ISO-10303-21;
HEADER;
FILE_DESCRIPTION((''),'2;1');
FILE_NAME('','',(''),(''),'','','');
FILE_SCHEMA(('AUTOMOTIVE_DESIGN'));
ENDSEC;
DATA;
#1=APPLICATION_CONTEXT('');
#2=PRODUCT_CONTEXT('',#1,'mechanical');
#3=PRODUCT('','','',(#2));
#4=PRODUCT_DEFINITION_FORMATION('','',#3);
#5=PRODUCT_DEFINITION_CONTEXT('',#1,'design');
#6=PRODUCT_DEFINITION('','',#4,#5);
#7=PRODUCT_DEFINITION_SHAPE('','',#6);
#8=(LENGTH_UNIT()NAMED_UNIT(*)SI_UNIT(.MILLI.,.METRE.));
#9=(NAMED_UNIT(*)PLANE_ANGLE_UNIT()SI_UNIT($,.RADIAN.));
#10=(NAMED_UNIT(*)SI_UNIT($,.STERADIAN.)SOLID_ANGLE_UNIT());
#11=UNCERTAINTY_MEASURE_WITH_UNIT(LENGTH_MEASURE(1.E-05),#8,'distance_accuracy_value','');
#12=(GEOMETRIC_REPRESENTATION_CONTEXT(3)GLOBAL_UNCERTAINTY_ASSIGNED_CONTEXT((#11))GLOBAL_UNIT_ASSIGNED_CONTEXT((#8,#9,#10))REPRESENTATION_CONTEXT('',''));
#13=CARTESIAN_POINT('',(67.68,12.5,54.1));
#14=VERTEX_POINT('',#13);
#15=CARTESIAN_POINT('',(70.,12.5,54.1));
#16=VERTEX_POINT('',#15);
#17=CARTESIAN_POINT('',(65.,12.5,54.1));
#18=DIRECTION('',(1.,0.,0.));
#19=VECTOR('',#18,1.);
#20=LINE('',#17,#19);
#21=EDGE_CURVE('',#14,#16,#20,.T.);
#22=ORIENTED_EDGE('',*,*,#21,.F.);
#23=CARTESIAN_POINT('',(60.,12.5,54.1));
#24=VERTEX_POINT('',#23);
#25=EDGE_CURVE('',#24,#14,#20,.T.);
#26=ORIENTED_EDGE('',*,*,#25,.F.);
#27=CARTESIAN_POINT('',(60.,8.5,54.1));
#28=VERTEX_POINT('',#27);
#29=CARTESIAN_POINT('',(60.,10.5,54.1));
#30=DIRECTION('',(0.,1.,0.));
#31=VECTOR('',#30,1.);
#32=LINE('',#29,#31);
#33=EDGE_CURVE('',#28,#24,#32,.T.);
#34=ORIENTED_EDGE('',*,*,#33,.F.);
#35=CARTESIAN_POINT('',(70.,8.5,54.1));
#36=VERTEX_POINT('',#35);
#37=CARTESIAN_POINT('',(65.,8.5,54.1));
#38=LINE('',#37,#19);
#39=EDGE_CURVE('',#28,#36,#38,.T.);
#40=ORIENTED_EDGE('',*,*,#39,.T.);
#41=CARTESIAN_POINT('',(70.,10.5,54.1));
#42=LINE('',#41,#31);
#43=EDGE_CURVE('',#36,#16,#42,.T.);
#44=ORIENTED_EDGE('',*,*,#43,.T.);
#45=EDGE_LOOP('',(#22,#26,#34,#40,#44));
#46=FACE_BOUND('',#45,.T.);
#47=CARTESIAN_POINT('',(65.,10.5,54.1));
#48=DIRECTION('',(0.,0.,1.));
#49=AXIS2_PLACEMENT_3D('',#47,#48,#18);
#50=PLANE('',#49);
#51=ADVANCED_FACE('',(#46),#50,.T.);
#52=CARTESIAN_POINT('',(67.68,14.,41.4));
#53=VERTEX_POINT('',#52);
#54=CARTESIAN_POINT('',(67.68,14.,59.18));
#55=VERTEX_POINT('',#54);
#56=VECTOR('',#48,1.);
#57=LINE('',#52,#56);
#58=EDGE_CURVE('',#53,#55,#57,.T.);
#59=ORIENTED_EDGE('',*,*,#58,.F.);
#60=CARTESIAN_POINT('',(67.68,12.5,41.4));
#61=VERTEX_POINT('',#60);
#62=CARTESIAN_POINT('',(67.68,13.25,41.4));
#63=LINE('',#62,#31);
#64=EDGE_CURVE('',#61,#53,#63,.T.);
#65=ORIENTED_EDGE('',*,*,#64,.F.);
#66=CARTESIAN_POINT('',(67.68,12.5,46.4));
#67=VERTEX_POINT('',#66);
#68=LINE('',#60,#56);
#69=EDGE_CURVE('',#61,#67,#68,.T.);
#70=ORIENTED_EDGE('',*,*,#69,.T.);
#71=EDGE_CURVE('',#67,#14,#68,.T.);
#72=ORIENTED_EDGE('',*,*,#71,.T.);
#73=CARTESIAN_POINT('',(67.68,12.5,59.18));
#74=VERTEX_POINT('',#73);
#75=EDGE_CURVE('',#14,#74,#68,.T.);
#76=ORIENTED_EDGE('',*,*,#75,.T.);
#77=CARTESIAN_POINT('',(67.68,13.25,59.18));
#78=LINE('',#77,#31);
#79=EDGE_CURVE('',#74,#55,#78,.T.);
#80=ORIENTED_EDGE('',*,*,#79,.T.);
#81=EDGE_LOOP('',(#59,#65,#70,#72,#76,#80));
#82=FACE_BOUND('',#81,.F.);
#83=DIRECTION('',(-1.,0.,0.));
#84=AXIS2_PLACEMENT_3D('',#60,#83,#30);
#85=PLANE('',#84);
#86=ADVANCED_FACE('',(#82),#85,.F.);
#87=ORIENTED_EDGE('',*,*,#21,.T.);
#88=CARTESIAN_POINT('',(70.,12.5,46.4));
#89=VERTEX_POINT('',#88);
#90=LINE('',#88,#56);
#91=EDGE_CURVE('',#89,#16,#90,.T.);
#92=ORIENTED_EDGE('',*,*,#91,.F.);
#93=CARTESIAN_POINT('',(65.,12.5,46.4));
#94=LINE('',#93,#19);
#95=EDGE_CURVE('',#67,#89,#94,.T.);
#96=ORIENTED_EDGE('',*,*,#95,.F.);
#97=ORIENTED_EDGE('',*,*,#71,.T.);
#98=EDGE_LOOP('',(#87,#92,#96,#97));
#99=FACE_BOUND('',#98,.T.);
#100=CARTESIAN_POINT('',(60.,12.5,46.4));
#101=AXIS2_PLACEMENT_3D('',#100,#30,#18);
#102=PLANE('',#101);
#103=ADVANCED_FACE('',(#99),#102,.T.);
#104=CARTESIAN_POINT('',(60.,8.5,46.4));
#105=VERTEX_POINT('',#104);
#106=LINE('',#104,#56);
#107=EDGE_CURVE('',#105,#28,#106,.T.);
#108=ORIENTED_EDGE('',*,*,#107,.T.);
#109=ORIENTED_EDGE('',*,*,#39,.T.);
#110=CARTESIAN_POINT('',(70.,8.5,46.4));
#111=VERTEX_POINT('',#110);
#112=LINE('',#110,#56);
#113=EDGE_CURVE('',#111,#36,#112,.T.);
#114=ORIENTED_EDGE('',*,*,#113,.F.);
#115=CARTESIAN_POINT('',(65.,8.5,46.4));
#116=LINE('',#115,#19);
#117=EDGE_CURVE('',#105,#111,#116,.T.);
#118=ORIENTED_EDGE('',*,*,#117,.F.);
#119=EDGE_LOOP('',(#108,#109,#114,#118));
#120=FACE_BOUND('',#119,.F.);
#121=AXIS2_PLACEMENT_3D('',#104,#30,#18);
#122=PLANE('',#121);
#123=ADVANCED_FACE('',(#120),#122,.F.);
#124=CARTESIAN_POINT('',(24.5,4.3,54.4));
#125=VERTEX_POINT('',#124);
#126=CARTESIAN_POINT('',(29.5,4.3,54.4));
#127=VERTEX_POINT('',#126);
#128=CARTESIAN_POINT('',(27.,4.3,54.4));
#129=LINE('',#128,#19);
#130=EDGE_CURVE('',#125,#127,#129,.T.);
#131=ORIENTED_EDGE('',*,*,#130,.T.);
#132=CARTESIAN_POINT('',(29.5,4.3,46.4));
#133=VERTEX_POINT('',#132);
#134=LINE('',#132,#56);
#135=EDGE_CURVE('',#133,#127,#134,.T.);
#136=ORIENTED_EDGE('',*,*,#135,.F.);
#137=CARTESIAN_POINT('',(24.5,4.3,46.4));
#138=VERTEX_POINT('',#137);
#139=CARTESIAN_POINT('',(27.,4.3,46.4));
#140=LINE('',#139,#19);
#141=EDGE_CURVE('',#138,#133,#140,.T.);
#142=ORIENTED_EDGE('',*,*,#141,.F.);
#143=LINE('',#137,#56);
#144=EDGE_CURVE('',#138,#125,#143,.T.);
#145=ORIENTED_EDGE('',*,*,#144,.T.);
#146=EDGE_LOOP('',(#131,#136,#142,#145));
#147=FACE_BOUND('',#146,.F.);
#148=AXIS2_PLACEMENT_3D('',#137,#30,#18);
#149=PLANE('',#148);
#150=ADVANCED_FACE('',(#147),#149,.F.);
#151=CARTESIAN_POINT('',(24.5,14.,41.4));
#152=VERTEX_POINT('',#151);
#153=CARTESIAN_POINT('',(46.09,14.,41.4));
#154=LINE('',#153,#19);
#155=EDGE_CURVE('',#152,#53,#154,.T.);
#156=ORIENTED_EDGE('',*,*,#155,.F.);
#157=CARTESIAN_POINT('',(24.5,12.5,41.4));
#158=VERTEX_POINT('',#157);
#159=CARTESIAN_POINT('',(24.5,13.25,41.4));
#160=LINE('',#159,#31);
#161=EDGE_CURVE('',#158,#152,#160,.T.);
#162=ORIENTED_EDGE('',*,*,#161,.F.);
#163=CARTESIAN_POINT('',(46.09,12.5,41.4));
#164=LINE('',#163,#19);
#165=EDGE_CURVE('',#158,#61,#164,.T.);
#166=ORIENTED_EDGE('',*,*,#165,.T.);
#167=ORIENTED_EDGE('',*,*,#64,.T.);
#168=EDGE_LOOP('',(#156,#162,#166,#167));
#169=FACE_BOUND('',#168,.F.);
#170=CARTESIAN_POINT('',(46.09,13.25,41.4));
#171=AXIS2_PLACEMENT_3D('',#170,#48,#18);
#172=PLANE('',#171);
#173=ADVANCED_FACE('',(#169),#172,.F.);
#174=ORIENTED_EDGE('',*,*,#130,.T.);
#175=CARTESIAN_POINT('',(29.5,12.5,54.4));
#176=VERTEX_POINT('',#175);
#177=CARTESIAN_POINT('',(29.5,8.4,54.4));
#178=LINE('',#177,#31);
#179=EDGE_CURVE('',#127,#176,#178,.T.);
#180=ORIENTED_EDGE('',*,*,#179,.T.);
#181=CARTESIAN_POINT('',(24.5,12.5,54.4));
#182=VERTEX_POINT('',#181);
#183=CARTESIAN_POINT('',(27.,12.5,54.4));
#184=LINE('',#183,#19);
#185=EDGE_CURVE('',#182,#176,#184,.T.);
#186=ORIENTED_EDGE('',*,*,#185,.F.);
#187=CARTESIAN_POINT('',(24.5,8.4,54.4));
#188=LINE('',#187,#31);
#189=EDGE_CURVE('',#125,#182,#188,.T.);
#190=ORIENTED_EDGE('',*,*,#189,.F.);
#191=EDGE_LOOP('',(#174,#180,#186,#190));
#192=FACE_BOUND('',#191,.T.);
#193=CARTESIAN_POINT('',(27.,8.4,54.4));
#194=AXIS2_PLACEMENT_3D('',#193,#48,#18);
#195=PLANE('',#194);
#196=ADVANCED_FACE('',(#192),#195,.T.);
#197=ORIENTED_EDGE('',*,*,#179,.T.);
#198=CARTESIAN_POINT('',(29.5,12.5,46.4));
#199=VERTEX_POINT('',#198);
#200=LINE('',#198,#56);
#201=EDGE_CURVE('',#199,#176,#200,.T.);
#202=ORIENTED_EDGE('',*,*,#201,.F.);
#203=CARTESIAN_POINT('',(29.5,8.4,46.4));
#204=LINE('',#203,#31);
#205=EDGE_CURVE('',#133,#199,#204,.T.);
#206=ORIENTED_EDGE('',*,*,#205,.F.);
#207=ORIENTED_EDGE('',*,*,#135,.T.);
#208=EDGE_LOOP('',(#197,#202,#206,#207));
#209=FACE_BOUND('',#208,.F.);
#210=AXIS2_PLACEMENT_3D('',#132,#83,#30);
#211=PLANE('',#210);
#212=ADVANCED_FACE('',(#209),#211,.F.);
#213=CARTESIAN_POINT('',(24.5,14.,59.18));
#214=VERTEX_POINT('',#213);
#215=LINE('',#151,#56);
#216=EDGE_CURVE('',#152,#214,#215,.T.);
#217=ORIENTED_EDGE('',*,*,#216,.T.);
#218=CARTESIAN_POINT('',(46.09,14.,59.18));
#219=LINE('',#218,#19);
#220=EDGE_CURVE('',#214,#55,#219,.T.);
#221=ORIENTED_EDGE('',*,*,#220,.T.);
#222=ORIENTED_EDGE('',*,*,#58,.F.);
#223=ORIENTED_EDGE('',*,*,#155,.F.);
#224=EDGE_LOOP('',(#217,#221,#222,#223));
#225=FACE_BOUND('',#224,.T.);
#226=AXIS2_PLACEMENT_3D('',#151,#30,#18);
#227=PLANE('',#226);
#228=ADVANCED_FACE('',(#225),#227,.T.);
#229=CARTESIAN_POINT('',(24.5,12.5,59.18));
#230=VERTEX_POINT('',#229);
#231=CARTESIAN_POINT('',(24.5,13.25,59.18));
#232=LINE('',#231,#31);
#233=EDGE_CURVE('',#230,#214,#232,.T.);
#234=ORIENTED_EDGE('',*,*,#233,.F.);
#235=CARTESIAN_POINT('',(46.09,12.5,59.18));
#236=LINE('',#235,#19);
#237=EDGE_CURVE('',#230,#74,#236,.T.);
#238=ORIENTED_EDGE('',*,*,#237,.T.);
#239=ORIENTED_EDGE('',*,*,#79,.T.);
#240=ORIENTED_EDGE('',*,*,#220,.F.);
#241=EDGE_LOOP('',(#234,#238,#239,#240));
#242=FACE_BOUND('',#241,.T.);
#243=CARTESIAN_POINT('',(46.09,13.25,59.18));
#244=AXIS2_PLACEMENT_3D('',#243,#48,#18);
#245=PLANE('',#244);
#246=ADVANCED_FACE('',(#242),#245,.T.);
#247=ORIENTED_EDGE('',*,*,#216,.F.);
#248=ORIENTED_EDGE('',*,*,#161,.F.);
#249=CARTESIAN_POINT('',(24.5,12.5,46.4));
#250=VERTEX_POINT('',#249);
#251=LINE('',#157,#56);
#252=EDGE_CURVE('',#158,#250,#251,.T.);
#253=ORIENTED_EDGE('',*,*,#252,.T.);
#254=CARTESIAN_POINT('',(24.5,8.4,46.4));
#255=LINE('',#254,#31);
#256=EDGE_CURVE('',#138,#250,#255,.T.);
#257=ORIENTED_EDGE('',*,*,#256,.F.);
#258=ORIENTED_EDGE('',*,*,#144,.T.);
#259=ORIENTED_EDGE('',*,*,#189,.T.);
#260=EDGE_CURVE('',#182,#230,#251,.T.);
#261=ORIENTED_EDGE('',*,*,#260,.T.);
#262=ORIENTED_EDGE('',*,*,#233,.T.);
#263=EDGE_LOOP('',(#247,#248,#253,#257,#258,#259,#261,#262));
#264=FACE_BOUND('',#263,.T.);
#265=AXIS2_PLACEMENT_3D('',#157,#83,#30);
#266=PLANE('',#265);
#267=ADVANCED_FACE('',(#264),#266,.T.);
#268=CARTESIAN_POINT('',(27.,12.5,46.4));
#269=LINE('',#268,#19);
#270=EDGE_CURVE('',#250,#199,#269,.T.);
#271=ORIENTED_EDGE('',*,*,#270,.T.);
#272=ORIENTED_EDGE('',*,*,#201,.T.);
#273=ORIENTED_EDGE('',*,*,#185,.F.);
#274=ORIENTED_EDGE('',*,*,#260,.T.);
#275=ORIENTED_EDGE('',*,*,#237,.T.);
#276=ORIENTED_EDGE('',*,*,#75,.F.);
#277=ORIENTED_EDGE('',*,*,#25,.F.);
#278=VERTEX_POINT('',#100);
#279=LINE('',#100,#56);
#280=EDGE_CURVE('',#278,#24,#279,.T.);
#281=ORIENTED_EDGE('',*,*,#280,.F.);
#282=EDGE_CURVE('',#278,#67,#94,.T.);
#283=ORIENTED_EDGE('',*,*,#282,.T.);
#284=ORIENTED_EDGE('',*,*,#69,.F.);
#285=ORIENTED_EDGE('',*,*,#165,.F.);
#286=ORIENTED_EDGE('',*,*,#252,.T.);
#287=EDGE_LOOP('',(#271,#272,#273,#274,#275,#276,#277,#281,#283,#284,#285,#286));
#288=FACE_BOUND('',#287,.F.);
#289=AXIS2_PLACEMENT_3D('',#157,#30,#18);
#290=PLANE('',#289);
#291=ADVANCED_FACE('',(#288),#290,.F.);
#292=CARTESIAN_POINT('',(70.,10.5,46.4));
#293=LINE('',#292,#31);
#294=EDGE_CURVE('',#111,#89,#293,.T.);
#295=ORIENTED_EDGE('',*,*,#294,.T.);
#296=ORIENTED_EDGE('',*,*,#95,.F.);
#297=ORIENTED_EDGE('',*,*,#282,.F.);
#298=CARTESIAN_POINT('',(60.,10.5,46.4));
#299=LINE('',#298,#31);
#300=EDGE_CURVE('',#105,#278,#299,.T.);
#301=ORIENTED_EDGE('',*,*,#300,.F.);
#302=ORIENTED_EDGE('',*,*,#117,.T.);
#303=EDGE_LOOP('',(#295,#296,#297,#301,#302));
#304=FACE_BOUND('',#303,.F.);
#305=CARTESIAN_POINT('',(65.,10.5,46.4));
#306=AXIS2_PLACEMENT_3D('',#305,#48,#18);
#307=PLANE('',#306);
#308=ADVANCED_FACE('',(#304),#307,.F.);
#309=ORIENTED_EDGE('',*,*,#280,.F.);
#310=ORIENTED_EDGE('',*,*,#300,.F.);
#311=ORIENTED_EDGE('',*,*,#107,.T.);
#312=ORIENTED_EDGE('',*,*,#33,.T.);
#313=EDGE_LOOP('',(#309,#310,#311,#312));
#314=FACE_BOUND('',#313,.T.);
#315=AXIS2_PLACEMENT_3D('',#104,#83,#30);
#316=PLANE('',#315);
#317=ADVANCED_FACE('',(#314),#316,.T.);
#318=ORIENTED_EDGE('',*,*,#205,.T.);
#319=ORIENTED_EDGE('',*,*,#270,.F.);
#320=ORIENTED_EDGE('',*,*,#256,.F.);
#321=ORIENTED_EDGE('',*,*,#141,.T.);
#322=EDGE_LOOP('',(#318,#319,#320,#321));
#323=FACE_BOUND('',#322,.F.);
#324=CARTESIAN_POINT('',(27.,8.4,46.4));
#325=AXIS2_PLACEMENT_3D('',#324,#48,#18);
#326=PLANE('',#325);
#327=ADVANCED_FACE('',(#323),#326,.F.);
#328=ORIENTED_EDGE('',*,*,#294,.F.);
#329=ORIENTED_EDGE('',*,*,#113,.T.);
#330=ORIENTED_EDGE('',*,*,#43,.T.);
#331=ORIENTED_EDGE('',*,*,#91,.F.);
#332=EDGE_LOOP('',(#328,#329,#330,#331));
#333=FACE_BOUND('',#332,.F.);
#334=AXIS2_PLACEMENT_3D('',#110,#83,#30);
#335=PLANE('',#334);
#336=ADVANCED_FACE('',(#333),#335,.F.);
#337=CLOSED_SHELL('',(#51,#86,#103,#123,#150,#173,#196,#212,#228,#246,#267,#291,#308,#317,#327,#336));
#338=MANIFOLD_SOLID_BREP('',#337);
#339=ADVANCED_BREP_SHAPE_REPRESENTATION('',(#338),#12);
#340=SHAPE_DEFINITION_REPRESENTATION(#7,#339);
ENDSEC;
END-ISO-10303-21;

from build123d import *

# Parameters (mm, degrees)
BOX058_W     = 10
BOX058_H     = 4
BOX058_DEPTH = 7.7
BOX057_W     = 43.18
BOX057_H     = 1.5
BOX057_DEPTH = 17.78
BOX069_W     = 5
BOX069_H     = 8.2
BOX069_DEPTH = 8


with BuildPart() as cube057:
    # Box058 → Box058 (new body)
    with BuildSketch(Plane(origin=(34, 18.5, 47), x_dir=(1, 0, 0), z_dir=(0, 0, 1))):
        with Locations((5, 2)):
            Rectangle(BOX058_W, BOX058_H)
    extrude(amount=BOX058_DEPTH)


with BuildPart() as fusion025:
    # Box057 → Box057 (new body)
    with BuildSketch(Plane(origin=(-1.5, 22.5, 42), x_dir=(1, 0, 0), z_dir=(0, 0, 1))):
        with Locations((21.59, 0.75)):
            Rectangle(BOX057_W, BOX057_H)
    extrude(amount=BOX057_DEPTH)

    # Fusion017: union Cube057
    add(cube057.part)


with BuildPart() as arduino:
    # Box069 → Box069 (new body)
    with BuildSketch(Plane(origin=(-1.5, 14.3, 47), x_dir=(1, 0, 0), z_dir=(0, 0, 1))):
        with Locations((2.5, 4.1)):
            Rectangle(BOX069_W, BOX069_H)
    extrude(amount=BOX069_DEPTH)

    # Fusion020: union Fusion025
    add(fusion025.part)


with BuildPart() as arduino_1:
    # Fusion020 placement: moved
    add(arduino.part.moved(Location((26, -10, -0.6))))


solid = arduino_1.part
